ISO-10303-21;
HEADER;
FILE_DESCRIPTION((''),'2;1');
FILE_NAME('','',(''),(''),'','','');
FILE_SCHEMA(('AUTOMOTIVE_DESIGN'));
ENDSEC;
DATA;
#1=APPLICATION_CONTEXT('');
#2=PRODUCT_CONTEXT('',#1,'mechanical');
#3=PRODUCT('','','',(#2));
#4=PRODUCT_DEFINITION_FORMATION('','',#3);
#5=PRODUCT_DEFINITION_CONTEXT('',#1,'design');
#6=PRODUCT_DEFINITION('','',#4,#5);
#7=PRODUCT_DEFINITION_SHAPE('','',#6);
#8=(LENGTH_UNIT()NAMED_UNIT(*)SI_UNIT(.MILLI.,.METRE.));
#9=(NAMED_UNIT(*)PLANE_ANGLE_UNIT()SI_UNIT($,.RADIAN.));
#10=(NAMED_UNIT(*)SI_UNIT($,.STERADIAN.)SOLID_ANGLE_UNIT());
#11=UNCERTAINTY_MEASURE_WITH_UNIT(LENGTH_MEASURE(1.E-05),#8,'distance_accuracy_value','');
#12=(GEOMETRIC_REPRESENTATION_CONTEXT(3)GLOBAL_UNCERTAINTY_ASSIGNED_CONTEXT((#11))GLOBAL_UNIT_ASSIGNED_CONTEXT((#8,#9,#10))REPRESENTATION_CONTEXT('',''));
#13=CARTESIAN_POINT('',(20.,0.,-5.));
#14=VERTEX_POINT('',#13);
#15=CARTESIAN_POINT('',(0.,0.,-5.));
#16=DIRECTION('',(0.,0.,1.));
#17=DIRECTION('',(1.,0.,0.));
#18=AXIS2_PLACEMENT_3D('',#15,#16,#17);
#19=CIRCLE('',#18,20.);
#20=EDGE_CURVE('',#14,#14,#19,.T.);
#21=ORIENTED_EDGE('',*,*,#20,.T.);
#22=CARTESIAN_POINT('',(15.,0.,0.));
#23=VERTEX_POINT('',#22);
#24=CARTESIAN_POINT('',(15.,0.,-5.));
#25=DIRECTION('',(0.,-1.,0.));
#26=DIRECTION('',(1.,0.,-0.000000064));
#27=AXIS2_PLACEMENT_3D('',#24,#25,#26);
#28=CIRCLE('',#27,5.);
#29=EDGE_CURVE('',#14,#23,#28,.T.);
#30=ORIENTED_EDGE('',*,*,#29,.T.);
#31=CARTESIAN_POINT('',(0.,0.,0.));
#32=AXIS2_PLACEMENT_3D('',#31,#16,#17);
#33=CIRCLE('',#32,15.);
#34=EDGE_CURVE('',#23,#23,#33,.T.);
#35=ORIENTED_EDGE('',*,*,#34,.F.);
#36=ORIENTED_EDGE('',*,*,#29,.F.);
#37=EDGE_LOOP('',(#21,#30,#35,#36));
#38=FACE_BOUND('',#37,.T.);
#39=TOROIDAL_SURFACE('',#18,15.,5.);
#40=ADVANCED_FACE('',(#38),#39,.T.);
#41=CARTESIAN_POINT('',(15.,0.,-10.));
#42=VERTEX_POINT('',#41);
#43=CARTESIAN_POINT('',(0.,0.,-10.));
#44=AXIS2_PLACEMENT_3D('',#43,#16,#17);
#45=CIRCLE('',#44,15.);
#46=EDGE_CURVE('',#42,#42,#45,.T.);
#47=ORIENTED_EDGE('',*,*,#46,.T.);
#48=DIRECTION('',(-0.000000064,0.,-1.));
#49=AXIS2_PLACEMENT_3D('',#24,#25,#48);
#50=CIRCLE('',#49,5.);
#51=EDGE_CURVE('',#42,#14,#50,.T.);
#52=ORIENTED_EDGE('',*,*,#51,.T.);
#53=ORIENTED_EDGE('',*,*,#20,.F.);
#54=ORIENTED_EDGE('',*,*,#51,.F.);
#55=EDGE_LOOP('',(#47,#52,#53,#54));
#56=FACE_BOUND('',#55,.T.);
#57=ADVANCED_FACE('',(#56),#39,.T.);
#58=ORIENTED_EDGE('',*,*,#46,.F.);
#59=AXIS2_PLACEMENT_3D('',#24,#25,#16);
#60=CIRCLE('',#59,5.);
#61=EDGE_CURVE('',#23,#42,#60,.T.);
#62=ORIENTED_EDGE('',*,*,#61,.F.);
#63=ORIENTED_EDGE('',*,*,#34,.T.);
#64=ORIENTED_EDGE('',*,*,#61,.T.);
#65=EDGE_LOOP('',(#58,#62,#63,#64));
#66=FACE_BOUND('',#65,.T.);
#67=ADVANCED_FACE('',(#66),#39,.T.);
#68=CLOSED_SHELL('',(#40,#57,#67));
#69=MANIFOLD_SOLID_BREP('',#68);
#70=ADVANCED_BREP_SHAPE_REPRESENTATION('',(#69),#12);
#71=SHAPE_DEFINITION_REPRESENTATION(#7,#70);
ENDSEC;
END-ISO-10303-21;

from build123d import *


with BuildPart() as f2:
    # F1 (on Front) → F2 (revolve)
    with BuildSketch(Plane.XZ):
        with BuildLine():
            Line((15, -10), (15, 0))
            ThreePointArc((15, 0), (10, -5), (15, -10))
        make_face()
        with BuildLine():
            ThreePointArc((20, -5), (18.535534, -1.464466), (15, 0))
            Line((15, 0), (15, -10))
            ThreePointArc((15, -10), (18.535534, -8.535534), (20, -5))
        make_face()
    revolve(axis=Axis((0, 0, 4.314133), (0, 0, 1)))


solid = f2.part
